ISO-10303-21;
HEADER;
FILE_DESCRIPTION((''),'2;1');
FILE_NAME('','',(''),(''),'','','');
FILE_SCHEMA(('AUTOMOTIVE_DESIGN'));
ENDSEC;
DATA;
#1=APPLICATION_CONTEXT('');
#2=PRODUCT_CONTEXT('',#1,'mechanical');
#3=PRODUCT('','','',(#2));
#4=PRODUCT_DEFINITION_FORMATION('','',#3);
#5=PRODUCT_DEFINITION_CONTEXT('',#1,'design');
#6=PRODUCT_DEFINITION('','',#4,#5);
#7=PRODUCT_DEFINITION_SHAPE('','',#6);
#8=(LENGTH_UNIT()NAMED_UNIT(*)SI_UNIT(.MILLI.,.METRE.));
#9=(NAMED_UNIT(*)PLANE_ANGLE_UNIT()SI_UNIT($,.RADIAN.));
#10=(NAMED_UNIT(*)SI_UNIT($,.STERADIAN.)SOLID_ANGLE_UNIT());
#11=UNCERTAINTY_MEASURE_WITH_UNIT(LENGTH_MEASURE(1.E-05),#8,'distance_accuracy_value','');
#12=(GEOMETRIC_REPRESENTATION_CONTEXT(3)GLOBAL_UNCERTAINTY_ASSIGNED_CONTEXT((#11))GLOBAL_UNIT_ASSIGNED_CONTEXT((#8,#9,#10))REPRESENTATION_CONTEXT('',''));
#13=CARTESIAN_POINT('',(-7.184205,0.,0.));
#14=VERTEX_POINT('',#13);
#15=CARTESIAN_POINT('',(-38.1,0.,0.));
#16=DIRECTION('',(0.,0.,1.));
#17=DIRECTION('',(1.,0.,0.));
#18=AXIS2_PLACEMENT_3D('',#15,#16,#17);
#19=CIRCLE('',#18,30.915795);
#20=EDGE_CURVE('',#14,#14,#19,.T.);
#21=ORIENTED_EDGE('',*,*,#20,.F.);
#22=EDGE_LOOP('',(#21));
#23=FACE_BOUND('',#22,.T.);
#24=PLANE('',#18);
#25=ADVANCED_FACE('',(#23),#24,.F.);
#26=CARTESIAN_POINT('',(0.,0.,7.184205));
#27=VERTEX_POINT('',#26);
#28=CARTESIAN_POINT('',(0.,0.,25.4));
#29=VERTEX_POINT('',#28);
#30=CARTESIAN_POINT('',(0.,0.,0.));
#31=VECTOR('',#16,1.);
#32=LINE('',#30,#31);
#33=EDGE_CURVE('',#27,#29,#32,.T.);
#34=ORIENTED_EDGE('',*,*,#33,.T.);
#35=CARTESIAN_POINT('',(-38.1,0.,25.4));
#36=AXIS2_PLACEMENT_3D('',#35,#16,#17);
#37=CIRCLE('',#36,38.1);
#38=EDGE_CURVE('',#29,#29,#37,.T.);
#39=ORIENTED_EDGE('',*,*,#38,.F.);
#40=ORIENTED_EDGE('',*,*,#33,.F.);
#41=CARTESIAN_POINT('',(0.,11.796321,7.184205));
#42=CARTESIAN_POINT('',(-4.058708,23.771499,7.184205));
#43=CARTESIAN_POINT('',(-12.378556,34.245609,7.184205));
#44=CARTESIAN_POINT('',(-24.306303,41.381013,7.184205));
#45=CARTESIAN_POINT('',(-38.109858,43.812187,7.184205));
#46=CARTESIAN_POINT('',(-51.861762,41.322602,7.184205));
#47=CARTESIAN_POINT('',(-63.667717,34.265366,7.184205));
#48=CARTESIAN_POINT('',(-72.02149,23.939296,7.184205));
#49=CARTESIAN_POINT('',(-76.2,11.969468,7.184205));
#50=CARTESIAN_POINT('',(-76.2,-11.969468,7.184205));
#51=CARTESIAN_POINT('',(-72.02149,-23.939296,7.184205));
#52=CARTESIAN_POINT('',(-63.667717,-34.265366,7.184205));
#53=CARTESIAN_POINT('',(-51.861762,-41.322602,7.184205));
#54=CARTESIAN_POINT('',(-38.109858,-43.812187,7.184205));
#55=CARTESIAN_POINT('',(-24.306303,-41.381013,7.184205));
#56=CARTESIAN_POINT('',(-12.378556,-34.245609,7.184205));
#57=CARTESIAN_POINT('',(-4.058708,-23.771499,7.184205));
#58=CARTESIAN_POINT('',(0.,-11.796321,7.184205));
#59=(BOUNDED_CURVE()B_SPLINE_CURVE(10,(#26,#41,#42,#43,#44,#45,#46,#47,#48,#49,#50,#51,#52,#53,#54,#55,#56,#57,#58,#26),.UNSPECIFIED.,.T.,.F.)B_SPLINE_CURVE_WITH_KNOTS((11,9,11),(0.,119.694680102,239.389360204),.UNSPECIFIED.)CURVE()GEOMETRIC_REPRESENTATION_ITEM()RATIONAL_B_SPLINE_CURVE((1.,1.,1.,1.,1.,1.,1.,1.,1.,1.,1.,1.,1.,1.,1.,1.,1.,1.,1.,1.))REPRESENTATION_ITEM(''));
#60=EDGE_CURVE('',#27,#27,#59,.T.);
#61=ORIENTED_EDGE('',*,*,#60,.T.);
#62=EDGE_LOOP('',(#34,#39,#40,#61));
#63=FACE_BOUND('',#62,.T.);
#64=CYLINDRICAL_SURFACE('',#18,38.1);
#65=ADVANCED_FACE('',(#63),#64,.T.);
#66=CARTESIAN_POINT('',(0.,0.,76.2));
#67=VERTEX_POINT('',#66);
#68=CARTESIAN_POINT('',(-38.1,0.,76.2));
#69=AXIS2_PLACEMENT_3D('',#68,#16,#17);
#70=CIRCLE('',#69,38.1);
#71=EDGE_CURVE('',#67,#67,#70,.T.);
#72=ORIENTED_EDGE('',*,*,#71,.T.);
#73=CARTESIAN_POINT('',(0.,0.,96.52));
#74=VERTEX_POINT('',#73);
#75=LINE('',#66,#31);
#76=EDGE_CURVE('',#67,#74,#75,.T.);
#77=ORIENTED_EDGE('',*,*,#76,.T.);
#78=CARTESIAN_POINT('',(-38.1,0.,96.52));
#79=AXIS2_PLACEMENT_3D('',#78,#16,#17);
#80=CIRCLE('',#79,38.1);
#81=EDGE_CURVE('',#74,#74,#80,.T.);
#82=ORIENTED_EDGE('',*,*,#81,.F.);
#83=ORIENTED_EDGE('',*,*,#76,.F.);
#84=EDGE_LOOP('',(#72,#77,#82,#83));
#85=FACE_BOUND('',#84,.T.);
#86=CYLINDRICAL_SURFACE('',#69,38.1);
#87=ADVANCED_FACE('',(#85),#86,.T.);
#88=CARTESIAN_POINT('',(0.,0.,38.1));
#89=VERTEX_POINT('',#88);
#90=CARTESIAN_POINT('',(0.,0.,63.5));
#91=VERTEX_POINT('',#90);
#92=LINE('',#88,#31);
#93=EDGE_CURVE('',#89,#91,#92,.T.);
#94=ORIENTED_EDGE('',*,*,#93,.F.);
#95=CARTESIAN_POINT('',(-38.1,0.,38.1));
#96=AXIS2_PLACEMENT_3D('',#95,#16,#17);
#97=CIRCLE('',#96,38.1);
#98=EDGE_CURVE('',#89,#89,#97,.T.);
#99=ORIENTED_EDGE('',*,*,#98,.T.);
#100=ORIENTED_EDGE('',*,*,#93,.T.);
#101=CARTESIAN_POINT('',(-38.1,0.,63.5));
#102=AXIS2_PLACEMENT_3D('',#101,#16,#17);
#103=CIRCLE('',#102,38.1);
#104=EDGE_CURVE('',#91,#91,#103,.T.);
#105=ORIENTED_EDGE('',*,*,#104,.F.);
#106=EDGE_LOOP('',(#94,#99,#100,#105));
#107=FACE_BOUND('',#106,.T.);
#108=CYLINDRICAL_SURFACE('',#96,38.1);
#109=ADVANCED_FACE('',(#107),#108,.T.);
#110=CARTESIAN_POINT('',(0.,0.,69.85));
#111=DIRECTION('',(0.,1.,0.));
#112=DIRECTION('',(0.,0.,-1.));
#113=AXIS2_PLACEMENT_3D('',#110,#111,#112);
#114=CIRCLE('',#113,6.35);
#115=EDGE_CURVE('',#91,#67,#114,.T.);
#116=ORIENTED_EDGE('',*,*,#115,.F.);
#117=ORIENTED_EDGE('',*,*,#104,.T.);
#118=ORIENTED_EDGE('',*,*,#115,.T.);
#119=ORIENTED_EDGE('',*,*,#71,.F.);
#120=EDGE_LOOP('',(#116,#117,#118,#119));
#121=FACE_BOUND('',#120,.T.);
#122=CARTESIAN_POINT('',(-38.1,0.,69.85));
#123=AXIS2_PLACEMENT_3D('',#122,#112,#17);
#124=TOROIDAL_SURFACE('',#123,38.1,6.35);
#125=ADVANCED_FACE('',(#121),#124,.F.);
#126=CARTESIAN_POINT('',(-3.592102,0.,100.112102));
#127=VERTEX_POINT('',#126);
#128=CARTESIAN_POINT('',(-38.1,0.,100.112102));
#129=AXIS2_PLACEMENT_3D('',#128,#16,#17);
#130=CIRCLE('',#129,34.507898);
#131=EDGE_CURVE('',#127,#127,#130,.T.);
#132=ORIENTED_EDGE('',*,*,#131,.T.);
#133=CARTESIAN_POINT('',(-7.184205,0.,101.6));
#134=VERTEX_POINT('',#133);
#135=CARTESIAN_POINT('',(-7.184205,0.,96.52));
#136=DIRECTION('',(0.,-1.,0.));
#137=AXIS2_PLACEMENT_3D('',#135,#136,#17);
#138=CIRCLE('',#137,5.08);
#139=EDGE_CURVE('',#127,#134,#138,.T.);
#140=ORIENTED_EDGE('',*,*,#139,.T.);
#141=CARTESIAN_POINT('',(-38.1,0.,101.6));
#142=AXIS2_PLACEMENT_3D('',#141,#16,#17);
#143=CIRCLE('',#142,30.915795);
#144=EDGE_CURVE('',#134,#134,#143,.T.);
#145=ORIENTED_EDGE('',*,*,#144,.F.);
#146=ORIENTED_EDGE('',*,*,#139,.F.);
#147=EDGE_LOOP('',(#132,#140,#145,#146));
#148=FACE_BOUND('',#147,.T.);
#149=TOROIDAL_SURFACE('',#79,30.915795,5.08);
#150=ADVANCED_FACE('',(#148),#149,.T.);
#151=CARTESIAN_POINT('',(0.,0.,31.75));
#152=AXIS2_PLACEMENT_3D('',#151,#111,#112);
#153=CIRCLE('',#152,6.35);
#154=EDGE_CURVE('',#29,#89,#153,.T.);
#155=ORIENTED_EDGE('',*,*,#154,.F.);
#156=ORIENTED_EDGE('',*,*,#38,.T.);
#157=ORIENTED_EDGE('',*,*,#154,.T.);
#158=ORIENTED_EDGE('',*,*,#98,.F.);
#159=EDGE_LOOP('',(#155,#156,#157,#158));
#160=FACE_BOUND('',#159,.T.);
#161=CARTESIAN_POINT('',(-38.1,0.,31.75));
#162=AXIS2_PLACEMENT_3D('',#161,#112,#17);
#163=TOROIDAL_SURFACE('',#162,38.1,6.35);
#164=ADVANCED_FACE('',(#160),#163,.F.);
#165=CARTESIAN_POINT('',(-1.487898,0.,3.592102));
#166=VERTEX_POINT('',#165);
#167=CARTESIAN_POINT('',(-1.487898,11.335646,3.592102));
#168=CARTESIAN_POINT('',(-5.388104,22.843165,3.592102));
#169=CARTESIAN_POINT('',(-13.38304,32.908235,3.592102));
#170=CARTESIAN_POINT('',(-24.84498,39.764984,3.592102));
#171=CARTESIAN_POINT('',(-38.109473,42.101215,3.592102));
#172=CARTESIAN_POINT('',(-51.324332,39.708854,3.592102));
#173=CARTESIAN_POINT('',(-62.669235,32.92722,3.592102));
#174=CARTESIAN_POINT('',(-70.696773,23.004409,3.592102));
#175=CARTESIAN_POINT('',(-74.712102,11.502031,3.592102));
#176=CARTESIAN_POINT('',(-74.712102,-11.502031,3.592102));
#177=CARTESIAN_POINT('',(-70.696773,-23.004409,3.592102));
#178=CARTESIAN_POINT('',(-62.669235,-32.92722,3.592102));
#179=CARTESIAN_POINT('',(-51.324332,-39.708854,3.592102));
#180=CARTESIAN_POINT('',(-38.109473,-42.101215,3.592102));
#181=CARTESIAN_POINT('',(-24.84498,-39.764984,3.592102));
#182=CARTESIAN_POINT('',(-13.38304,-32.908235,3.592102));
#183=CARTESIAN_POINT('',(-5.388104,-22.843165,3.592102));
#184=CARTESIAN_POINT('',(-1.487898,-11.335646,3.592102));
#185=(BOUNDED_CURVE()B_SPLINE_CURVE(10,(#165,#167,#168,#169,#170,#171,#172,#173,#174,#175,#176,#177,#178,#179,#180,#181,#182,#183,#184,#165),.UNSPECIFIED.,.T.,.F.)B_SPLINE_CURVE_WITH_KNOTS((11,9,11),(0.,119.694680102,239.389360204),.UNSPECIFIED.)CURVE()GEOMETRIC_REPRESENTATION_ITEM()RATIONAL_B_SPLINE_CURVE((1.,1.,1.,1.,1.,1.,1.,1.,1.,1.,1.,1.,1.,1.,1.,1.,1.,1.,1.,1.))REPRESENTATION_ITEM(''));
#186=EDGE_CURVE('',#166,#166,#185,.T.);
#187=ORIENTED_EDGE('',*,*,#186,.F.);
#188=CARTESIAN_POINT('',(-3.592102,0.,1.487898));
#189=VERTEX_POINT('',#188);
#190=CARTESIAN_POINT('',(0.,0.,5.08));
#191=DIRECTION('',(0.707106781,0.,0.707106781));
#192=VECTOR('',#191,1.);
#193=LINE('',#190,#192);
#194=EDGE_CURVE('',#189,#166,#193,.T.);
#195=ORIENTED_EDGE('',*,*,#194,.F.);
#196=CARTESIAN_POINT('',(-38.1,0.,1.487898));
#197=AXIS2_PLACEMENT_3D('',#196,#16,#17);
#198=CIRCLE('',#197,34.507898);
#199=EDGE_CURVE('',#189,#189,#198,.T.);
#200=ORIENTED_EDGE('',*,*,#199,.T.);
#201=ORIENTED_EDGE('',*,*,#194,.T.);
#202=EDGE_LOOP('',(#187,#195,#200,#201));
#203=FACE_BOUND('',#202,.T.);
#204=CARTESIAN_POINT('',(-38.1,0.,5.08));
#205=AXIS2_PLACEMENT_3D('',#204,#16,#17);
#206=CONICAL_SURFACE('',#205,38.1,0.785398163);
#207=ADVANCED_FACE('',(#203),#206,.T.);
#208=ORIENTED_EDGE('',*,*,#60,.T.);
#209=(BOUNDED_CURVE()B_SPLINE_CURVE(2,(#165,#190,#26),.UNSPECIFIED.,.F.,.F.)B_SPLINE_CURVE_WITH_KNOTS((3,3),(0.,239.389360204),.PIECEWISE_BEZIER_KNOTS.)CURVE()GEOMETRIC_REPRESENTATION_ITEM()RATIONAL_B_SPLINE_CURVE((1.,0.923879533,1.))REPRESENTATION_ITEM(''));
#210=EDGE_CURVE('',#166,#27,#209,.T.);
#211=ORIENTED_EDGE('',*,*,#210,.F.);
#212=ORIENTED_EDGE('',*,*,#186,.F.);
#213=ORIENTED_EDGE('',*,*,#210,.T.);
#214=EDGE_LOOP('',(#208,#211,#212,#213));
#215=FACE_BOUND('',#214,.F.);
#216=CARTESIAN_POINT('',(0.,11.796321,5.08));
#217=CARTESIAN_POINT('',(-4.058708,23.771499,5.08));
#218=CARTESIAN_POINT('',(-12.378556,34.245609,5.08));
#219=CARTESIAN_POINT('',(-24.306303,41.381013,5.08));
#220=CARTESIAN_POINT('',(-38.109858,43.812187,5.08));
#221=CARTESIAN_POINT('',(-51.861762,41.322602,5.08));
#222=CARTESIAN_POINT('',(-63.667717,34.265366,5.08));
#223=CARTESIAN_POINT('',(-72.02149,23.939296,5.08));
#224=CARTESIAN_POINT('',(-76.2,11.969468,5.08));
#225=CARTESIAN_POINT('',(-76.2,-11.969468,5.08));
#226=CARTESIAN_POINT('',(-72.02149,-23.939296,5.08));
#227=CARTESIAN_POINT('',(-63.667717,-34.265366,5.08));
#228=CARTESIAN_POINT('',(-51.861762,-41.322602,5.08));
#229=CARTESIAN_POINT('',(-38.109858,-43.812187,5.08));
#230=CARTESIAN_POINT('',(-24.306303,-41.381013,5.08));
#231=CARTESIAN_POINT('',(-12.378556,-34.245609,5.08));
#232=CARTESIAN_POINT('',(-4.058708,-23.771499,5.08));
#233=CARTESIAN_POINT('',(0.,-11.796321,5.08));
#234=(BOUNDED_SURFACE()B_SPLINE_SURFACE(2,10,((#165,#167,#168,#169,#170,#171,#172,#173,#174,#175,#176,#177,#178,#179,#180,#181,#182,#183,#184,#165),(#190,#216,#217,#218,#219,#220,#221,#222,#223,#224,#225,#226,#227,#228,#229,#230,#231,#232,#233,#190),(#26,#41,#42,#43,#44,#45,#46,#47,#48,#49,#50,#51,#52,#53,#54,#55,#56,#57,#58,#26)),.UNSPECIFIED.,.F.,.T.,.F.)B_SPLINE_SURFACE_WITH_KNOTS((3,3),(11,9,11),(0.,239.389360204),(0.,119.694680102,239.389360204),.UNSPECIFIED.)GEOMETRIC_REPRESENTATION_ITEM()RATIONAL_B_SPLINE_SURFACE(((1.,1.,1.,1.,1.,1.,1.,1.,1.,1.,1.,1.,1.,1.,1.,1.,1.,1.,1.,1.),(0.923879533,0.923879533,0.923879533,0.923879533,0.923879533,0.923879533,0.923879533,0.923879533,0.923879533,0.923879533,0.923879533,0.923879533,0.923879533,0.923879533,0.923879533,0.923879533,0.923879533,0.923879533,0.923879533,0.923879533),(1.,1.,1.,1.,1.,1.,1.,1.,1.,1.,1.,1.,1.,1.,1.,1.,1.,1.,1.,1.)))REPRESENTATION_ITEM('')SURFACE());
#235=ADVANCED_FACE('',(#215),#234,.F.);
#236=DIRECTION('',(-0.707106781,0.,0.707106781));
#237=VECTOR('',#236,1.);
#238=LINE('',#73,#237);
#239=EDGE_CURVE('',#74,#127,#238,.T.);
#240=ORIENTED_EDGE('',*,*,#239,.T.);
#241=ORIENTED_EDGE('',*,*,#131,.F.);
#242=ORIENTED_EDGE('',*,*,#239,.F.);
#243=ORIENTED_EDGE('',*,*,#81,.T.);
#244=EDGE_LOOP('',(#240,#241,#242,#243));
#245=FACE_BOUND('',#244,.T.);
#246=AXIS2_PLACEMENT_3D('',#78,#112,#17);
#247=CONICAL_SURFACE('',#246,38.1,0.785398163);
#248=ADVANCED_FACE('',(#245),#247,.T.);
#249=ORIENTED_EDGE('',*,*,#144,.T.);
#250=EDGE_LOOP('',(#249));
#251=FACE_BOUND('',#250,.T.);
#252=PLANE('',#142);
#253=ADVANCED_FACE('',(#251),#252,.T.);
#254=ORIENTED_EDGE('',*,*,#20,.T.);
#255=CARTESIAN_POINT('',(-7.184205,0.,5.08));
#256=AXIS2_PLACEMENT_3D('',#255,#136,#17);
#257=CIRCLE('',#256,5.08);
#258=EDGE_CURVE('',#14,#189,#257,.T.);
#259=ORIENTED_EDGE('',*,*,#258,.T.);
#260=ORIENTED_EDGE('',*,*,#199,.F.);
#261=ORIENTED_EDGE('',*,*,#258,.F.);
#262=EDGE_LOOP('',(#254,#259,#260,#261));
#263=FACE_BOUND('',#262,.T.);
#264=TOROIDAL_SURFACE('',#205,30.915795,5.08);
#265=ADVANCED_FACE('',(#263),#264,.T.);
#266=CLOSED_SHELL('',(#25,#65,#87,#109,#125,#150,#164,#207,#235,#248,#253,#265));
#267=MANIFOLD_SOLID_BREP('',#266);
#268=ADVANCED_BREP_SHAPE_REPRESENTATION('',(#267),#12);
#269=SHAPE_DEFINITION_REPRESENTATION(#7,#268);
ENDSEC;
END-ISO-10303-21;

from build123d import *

# Parameters (mm, degrees)
F2_SIZE = 5.08
F3_R    = 5.08
F4_SIZE = 5.08
F5_R    = 5.08


with BuildPart() as f1:
    # F0 (on Front) → F1 (revolve)
    with BuildSketch(Plane.XZ):
        with BuildLine():
            Line((-38.1, 0), (0, 0))
            Line((0, 0), (0, 25.4))
            ThreePointArc((0, 25.4), (-6.35, 31.75), (0, 38.1))
            Line((0, 38.1), (0, 63.5))
            ThreePointArc((0, 63.5), (-6.35, 69.85), (0, 76.2))
            Line((0, 76.2), (0, 101.6))
            Line((0, 101.6), (-38.1, 101.6))
            Line((-38.1, 101.6), (-38.1, 0))
        make_face()
    revolve(axis=Axis((-38.1, 0, 50.8), (0, 0, 1)))

    # F2
    f2_edges = [f1.edges().sort_by_distance(p)[0] for p in [
        (-76.2, 0, 0),
    ]]
    chamfer(f2_edges, length=F2_SIZE)

    # F3
    f3_edges = [f1.edges().sort_by_distance(p)[0] for p in [
        (-2.54, 0, 2.54),
        (-71.12, 0, 0),
        (-76.2, 0, 5.08),
    ]]
    fillet(f3_edges, radius=F3_R)

    # F4
    f4_edges = [f1.edges().sort_by_distance(p)[0] for p in [
        (-76.2, 0, 101.6),
    ]]
    chamfer(f4_edges, length=F4_SIZE)

    # F5
    f5_edges = [f1.edges().sort_by_distance(p)[0] for p in [
        (-71.12, 0, 101.6),
    ]]
    fillet(f5_edges, radius=F5_R)


solid = f1.part
